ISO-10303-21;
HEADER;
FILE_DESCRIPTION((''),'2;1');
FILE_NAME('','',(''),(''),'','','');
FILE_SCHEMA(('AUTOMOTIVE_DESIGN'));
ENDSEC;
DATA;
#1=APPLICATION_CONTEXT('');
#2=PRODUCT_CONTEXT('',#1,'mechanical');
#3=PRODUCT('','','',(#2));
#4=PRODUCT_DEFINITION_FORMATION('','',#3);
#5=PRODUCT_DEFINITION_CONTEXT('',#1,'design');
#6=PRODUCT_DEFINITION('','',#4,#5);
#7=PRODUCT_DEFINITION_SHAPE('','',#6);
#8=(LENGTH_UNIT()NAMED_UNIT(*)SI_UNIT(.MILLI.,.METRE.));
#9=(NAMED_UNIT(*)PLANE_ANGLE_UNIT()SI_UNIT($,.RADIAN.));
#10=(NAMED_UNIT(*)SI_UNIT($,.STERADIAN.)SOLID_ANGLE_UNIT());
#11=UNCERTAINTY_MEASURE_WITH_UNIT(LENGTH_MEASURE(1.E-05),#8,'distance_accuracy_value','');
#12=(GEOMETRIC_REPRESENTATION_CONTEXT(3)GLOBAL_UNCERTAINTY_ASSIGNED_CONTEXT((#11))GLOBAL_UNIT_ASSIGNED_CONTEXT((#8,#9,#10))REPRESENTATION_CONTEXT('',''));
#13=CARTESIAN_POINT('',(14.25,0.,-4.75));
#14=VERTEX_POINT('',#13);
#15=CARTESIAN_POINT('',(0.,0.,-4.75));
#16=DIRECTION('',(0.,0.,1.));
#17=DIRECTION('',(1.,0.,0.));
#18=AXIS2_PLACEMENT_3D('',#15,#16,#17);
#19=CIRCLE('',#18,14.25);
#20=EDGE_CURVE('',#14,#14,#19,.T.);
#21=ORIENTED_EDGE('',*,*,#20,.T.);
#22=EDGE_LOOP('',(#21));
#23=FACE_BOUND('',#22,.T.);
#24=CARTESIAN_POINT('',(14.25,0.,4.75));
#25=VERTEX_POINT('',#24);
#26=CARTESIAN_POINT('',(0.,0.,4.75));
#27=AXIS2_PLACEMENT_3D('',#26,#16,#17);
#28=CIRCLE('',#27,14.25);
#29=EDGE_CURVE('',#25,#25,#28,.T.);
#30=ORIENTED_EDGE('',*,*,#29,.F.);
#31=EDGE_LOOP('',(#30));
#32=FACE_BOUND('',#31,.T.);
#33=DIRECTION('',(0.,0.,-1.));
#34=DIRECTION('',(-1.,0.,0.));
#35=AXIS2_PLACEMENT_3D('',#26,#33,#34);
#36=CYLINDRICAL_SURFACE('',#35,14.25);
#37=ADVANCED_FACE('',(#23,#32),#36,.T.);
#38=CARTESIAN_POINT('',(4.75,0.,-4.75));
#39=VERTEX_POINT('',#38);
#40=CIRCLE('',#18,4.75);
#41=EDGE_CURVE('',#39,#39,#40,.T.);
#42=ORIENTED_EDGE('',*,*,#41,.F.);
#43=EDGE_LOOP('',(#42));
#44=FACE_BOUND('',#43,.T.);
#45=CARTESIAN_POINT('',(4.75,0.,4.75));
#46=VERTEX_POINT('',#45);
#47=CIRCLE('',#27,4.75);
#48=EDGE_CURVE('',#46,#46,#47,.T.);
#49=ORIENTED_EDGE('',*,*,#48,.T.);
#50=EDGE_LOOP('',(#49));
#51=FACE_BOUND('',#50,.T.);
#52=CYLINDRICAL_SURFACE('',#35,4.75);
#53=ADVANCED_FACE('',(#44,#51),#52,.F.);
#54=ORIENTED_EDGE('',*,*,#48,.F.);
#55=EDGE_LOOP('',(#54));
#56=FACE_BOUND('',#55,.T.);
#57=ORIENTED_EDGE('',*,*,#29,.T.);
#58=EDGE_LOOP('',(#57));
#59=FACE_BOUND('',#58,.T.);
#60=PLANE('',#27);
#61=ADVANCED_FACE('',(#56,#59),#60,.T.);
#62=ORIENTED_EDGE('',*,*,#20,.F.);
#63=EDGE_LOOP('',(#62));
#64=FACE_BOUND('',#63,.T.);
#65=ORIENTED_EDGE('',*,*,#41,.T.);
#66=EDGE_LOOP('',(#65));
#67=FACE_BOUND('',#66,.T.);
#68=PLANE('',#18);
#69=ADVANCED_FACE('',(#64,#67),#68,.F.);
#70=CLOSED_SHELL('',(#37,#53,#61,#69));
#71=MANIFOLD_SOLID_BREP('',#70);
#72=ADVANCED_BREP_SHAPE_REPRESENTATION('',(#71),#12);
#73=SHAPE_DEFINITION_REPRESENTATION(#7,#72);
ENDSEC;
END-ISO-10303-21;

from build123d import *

# Parameters (mm, degrees)
SKETCH1_R           = 14.25
SKETCH1_R_2         = 4.75
BOSS_EXTRUDE1_DEPTH = 4.75


with BuildPart() as part:
    # Sketch1 → Boss-Extrude1 (new body, symmetric)
    with BuildSketch(Plane.XY):
        Circle(SKETCH1_R)
        Circle(SKETCH1_R_2, mode=Mode.SUBTRACT)
    extrude(amount=BOSS_EXTRUDE1_DEPTH, both=True)


solid = part.part
